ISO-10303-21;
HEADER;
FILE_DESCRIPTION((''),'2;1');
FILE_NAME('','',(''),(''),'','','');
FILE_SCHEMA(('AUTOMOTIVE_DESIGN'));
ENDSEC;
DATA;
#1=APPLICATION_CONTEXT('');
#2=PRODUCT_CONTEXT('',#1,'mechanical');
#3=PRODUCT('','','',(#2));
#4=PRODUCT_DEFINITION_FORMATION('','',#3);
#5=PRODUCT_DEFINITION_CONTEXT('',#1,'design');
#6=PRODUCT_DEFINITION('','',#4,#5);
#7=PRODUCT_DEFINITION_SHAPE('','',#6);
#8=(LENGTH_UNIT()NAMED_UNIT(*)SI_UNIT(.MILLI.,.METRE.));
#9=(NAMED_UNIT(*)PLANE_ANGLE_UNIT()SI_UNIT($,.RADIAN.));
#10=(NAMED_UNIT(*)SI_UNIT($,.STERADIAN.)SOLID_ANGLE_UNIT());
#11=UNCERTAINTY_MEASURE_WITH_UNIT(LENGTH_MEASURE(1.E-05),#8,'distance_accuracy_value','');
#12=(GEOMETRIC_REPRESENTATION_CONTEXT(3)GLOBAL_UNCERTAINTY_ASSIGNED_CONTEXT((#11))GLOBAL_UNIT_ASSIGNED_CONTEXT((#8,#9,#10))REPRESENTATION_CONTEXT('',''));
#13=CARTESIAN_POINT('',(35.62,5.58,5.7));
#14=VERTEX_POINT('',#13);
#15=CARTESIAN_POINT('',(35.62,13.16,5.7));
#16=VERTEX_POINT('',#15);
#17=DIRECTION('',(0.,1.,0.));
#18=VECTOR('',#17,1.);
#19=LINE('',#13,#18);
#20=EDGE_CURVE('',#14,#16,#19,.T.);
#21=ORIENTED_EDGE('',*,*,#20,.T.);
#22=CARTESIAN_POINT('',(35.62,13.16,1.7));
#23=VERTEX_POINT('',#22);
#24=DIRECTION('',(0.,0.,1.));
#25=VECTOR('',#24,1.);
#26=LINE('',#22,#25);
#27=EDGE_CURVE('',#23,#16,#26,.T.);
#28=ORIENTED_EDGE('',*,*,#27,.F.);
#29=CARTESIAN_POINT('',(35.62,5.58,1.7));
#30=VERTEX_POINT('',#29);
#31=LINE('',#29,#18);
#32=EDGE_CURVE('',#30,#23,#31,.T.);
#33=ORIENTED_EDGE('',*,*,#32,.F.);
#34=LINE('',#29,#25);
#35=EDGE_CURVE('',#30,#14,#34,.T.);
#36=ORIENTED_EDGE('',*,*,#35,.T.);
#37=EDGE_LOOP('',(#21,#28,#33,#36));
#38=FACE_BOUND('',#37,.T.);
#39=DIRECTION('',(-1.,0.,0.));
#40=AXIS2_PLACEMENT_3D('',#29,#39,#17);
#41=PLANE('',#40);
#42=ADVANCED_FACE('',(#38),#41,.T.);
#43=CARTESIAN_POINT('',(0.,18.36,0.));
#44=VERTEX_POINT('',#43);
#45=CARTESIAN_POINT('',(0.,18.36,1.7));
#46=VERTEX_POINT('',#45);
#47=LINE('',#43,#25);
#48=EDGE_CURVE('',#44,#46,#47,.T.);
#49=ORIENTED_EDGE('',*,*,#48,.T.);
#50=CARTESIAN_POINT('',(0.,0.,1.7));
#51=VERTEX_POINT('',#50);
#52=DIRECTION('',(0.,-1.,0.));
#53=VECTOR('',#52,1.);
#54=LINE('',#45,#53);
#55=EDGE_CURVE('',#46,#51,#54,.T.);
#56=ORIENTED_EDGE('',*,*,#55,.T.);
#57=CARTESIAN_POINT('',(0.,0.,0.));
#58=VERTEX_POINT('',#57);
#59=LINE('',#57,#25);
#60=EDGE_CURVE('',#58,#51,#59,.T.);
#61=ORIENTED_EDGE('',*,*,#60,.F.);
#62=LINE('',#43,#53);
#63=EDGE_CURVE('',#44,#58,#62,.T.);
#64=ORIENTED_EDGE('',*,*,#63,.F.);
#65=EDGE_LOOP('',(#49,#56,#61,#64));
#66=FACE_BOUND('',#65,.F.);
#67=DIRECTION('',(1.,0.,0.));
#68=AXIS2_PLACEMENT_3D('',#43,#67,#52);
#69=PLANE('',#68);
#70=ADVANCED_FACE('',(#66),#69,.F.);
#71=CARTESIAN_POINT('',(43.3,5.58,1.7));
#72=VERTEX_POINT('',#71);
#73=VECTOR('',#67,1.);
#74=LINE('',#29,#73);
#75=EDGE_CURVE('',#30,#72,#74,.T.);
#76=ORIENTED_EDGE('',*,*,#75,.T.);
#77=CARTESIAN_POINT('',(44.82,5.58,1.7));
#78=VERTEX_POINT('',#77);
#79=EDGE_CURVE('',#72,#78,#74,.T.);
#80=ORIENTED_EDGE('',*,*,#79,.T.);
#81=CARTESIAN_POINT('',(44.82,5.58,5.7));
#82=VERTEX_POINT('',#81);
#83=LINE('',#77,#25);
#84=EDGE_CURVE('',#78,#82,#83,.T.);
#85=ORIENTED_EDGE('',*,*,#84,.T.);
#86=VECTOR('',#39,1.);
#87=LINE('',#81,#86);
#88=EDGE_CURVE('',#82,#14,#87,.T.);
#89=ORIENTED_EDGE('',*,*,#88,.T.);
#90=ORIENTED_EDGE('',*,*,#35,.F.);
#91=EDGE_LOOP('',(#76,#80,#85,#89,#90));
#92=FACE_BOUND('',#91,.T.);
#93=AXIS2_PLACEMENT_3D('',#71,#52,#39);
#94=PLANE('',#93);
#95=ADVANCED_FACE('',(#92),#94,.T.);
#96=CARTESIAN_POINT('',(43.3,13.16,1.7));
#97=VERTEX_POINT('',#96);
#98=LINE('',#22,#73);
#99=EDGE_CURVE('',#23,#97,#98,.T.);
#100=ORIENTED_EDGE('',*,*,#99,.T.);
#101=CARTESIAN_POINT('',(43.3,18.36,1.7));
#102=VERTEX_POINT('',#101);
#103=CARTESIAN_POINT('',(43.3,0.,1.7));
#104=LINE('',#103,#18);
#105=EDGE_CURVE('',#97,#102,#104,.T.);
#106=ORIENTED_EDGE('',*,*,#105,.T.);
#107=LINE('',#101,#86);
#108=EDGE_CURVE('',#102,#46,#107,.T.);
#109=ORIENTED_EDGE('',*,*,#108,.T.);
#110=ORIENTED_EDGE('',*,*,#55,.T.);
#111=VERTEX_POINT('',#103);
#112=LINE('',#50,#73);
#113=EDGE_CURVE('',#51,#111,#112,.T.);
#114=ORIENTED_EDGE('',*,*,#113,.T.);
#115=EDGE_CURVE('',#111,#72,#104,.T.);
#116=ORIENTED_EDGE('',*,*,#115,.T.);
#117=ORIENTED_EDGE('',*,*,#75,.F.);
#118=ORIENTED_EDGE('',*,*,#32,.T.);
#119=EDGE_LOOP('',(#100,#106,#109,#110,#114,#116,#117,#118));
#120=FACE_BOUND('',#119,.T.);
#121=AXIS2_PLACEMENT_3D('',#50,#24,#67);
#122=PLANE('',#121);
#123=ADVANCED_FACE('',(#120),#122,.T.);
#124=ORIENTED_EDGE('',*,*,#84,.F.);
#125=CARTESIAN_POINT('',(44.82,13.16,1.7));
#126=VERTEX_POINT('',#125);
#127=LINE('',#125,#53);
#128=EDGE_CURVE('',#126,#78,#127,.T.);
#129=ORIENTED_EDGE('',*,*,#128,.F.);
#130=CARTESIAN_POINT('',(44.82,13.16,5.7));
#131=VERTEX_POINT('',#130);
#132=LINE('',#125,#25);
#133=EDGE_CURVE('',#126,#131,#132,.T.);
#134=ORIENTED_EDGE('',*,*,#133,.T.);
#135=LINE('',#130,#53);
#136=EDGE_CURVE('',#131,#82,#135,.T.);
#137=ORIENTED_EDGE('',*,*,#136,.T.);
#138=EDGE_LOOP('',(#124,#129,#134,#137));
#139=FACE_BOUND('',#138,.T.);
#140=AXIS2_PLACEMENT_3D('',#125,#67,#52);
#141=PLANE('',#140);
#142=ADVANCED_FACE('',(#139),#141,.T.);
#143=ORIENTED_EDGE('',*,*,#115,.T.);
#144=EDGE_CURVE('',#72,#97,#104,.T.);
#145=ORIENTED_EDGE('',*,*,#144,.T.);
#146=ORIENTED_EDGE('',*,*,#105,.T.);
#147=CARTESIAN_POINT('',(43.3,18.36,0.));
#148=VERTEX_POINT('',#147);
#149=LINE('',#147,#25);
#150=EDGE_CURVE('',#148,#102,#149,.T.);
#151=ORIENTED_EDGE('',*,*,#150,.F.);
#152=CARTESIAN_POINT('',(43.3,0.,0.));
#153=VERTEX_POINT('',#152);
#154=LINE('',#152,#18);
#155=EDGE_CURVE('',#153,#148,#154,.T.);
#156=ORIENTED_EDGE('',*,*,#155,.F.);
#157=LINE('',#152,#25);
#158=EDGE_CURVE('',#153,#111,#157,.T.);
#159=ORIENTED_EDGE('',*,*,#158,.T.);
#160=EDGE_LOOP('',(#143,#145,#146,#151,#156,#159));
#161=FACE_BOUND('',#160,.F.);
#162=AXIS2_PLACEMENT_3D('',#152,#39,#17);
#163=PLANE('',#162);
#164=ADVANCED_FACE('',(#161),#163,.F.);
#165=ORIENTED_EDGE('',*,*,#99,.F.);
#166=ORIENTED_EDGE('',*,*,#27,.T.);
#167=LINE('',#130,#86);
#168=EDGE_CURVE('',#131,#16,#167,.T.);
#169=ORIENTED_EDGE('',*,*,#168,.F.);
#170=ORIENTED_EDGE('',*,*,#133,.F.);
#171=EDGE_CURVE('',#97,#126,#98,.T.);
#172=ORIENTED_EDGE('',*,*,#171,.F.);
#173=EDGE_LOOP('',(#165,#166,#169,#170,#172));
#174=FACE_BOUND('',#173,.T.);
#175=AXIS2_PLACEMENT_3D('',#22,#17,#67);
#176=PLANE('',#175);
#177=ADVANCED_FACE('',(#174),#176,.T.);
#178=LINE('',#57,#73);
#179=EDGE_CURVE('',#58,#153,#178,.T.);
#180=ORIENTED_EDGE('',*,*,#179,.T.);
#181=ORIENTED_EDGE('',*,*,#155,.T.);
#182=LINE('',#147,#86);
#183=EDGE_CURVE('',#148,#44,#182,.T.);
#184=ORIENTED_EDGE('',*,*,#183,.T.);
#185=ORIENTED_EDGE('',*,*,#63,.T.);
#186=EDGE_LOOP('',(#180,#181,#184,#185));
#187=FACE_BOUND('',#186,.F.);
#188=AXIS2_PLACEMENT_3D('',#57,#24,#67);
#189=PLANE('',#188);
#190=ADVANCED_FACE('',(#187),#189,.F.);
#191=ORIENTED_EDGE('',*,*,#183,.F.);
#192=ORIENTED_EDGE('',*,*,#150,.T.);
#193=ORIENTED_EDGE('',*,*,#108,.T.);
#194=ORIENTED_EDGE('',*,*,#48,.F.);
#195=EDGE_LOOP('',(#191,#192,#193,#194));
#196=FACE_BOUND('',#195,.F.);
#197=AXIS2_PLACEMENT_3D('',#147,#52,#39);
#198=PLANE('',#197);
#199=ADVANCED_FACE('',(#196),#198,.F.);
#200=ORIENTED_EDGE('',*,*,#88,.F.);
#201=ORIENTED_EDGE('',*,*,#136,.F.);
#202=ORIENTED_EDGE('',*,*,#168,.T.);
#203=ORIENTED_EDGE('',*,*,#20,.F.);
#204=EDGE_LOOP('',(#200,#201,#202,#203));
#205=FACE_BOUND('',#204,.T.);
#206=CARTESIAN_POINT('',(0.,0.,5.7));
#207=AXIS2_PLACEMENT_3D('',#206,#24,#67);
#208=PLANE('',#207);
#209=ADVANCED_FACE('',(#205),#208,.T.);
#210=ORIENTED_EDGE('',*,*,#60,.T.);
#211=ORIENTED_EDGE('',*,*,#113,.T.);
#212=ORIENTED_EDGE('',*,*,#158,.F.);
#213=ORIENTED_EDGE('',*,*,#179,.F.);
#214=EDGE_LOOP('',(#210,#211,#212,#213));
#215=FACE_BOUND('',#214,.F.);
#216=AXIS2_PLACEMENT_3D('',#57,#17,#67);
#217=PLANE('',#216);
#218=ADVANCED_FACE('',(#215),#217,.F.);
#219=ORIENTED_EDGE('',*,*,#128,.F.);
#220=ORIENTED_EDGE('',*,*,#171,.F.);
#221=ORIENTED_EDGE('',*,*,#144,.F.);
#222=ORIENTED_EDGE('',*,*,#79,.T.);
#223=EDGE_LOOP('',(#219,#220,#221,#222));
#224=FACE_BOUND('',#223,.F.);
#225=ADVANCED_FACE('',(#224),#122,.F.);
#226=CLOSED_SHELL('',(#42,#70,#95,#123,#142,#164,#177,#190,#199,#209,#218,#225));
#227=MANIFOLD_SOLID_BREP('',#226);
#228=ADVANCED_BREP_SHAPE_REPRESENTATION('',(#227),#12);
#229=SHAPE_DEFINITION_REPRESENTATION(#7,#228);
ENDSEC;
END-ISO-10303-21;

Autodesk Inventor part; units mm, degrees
ref_plane "YZ Plane" through (0, 0, 0) normal (1, 0, 0) x (0, 1, 0)
ref_plane "XZ Plane" through (0, 0, 0) normal (0, 1, 0) x (-1, 0, 0)
ref_plane "XY Plane" through (0, 0, 0) normal (0, 0, 1) x (1, 0, 0)
sketch "Sketch1" plane through (0, 0, 0) normal (0, 0, 1) x (1, 0, 0)
  line L0 (0, 0) -> (43.3, 0)
  line L1 (43.3, 0) -> (43.3, 18.36)
  line L2 (43.3, 18.36) -> (0, 18.36)
  line L3 (0, 18.36) -> (0, 0)
  dimension "d0" = 43.3
  dimension "d1" = 18.36
extrude "Extrusion1" add sketch "Sketch1" along normal blind 1.7
sketch "Sketch2" plane through (0, 0, 1.7) normal (0, 0, 1) x (1, 0, 0)
  line L0 (43.3, 0) -> (43.3, 18.36) projected
  line L1 (43.3, 18.36) -> (0, 18.36) projected
  line L2 (35.62, 13.16) -> (44.82, 13.16)
  line L3 (44.82, 13.16) -> (44.82, 5.58)
  line L4 (44.82, 5.58) -> (35.62, 5.58)
  line L5 (35.62, 5.58) -> (35.62, 13.16)
  dimension "d4" = 9.2
  dimension "d5" = 7.58
  dimension "d6" = 5.2
  dimension "d7" = 1.52
extrude "Extrusion2" add sketch "Sketch2" along normal blind 4
properties part number "ArduinoNano"
